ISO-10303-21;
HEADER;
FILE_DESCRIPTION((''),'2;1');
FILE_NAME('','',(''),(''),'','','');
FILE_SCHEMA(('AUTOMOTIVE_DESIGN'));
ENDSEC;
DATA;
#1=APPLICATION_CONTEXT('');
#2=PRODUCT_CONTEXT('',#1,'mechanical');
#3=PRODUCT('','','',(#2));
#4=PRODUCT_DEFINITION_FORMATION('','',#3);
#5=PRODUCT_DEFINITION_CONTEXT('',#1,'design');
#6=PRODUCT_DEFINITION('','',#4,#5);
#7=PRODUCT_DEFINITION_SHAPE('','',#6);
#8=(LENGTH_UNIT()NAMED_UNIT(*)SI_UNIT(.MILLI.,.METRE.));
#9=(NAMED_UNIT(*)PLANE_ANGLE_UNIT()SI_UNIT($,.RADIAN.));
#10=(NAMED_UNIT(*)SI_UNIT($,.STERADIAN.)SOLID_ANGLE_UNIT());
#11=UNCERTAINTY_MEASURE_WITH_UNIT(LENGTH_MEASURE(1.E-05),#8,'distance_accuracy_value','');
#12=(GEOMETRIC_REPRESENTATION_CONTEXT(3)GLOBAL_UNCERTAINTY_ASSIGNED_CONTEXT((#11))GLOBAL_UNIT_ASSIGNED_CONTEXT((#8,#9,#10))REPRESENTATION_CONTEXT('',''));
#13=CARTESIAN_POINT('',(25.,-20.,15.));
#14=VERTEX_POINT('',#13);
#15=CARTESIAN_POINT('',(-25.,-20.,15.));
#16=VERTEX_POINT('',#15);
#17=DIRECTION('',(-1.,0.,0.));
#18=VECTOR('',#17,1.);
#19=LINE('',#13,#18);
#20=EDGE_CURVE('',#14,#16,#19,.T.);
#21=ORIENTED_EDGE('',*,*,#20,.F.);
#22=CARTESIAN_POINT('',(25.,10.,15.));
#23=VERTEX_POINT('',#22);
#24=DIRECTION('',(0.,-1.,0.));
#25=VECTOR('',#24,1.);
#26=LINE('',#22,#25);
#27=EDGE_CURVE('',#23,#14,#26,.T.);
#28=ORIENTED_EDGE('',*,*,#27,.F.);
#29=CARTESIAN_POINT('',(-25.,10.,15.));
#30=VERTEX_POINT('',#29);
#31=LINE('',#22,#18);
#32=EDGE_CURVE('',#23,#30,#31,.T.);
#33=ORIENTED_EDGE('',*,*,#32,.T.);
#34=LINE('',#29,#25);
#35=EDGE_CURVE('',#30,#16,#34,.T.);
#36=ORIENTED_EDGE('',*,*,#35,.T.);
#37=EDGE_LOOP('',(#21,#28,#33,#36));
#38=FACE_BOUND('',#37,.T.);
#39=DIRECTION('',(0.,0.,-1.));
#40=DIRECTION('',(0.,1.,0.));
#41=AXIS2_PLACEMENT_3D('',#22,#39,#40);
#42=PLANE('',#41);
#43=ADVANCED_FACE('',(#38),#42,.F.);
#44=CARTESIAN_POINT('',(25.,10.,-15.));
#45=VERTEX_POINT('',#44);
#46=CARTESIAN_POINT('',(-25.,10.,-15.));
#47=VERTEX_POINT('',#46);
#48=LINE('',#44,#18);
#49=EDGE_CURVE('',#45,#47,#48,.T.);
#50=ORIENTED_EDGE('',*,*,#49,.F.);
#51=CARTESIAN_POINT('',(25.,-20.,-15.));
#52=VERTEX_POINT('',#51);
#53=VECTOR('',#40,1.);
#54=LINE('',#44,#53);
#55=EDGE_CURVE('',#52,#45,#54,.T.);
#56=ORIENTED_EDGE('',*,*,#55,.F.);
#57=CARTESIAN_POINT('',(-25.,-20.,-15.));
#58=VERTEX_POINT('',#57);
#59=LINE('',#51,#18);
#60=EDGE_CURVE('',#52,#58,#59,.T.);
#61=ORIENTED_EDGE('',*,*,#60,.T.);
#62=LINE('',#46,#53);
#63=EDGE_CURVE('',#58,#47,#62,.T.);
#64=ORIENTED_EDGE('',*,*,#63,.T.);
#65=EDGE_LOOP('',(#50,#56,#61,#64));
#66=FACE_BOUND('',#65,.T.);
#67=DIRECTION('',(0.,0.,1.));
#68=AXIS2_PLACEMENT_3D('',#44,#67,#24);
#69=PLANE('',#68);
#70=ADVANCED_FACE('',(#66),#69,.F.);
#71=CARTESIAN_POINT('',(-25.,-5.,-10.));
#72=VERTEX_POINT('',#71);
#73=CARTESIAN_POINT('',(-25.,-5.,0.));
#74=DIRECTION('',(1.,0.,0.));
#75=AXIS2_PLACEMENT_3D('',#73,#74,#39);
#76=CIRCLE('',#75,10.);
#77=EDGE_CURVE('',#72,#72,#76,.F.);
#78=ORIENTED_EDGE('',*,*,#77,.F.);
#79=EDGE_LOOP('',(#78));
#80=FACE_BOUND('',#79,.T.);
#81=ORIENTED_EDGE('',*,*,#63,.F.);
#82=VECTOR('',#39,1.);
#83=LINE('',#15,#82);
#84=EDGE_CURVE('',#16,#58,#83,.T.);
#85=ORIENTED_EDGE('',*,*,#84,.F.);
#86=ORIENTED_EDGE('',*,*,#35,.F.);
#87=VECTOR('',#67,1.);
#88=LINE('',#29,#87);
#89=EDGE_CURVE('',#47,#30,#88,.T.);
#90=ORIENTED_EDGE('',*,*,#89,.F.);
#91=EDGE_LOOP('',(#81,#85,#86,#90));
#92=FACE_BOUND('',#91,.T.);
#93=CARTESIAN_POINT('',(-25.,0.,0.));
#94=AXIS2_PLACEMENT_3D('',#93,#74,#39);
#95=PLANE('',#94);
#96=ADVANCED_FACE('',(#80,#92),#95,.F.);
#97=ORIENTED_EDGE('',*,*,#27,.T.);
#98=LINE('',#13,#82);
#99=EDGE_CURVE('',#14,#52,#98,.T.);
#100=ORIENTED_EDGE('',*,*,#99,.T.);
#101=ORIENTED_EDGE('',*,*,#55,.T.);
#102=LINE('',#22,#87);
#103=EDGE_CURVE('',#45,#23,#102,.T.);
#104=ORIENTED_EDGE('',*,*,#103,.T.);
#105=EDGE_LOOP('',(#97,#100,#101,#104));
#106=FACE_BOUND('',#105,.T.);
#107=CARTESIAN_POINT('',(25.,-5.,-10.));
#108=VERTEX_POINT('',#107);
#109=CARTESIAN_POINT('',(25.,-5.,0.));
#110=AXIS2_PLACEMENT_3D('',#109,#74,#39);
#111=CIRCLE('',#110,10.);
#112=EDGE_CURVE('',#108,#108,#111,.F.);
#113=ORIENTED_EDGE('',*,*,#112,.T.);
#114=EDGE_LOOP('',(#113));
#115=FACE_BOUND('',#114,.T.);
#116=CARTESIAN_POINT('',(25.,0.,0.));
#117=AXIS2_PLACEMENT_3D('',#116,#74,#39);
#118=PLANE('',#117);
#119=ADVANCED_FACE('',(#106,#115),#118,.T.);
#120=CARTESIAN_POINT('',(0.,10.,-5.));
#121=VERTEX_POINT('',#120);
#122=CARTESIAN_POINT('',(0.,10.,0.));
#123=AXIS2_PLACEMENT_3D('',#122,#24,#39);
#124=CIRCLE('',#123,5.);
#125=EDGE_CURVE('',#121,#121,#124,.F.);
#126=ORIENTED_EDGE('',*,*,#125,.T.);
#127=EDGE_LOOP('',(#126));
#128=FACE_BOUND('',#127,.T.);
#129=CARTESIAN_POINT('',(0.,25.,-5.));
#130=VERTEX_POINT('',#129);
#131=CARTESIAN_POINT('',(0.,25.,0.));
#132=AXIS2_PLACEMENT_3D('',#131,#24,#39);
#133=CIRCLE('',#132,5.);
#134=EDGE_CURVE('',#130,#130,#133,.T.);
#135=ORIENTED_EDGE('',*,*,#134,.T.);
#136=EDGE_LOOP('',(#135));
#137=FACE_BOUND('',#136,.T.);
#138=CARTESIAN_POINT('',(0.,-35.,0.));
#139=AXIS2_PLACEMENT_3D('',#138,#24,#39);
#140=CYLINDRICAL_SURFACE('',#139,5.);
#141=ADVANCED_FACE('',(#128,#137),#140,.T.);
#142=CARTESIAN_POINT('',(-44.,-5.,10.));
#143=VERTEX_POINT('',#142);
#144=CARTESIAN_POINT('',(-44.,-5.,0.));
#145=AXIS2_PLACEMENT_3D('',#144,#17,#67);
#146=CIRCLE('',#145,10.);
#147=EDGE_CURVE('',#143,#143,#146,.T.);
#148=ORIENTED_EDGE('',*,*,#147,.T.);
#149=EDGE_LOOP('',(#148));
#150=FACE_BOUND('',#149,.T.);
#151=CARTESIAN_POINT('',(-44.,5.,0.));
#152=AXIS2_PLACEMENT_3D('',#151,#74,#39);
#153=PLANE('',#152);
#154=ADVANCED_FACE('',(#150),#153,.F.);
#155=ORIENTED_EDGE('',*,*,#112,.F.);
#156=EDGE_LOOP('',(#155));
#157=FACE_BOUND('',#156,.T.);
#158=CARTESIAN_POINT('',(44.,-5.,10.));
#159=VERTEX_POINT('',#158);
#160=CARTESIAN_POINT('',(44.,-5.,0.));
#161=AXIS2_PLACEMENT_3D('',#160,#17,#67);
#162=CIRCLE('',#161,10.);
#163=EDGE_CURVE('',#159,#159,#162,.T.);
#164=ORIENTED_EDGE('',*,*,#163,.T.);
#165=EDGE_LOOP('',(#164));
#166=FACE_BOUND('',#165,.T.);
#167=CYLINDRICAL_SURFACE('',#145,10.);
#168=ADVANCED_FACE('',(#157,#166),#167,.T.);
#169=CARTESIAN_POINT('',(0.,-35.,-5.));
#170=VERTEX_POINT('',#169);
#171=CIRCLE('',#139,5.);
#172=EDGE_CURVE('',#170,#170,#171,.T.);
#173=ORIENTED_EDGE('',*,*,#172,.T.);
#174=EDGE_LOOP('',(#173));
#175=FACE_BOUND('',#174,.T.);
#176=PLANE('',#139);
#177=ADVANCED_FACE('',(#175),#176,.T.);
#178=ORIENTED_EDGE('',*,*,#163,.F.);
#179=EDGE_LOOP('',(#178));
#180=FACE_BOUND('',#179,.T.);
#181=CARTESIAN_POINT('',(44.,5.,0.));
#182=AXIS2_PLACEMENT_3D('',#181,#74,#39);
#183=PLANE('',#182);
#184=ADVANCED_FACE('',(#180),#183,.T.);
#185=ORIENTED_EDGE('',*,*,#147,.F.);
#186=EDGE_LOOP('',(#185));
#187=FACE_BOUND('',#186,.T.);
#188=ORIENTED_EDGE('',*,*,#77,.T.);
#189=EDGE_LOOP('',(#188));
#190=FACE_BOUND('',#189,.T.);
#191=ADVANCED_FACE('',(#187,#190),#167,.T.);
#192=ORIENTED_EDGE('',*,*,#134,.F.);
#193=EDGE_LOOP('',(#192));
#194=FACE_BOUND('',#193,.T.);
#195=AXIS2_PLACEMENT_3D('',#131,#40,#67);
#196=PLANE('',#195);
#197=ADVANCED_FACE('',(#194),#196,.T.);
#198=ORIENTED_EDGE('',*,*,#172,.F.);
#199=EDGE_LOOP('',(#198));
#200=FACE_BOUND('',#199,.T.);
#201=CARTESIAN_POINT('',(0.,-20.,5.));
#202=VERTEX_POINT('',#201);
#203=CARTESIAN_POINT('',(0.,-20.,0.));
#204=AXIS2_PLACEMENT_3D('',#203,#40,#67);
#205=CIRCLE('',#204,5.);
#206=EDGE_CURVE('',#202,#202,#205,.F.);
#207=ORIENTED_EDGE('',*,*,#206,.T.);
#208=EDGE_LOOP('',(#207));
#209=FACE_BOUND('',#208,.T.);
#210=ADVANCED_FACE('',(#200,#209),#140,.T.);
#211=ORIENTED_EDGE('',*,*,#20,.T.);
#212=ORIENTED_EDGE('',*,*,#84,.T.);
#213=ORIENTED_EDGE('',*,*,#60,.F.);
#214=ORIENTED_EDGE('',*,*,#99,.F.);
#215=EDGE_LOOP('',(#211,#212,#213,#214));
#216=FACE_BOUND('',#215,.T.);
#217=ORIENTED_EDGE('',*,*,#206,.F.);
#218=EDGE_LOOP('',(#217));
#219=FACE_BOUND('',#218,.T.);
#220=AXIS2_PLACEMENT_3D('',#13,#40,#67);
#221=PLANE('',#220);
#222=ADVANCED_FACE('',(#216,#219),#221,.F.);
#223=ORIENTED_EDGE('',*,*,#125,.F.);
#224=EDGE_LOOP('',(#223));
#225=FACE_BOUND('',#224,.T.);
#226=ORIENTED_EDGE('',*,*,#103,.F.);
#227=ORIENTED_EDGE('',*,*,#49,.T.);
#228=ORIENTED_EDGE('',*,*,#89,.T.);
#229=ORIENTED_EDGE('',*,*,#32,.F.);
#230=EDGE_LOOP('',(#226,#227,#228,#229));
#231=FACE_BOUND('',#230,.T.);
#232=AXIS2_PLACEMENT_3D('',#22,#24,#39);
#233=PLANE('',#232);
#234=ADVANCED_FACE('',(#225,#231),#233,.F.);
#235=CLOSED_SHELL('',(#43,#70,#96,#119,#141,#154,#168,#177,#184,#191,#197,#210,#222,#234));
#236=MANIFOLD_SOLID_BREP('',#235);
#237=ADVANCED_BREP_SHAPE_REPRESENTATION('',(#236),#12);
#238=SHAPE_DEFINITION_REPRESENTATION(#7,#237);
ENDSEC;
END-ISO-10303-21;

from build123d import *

# Parameters (mm, degrees)
SKETCH_1_W      = 88
SKETCH_1_H      = 10
SKETCH_3_W      = 5
SKETCH_3_H      = 60
SKETCH_4_W      = 30
SKETCH_4_H      = 30
EXTRUDE_1_DEPTH = 25


with BuildPart() as part:
    # 草图1 → 旋转1 (revolve)
    with BuildSketch(Plane.XY, mode=Mode.PRIVATE) as revolve_1_sk:
        Rectangle(SKETCH_1_W, SKETCH_1_H)
    revolve(revolve_1_sk.sketch.rotate(Axis((-44, -5, 0), (1, 0, 0)), 90), axis=Axis((-44, -5, 0), (1, 0, 0)))

    # 草图3 → 旋转2 (revolve)
    with BuildSketch(Plane.XY, mode=Mode.PRIVATE) as revolve_2_sk:
        with Locations((2.5, -5)):
            Rectangle(SKETCH_3_W, SKETCH_3_H)
    revolve(revolve_2_sk.sketch.rotate(Axis((0, -35, 0), (0, 1, 0)), 90), axis=Axis((0, -35, 0), (0, 1, 0)))

    # 草图4 → 凸台-拉伸1 (add, symmetric)
    with BuildSketch(Plane(origin=(0, 0, 0), x_dir=(0, 0, -1), z_dir=(1, 0, 0))):
        with Locations((0, -5)):
            Rectangle(SKETCH_4_W, SKETCH_4_H)
    extrude(amount=EXTRUDE_1_DEPTH, both=True)


solid = part.part
